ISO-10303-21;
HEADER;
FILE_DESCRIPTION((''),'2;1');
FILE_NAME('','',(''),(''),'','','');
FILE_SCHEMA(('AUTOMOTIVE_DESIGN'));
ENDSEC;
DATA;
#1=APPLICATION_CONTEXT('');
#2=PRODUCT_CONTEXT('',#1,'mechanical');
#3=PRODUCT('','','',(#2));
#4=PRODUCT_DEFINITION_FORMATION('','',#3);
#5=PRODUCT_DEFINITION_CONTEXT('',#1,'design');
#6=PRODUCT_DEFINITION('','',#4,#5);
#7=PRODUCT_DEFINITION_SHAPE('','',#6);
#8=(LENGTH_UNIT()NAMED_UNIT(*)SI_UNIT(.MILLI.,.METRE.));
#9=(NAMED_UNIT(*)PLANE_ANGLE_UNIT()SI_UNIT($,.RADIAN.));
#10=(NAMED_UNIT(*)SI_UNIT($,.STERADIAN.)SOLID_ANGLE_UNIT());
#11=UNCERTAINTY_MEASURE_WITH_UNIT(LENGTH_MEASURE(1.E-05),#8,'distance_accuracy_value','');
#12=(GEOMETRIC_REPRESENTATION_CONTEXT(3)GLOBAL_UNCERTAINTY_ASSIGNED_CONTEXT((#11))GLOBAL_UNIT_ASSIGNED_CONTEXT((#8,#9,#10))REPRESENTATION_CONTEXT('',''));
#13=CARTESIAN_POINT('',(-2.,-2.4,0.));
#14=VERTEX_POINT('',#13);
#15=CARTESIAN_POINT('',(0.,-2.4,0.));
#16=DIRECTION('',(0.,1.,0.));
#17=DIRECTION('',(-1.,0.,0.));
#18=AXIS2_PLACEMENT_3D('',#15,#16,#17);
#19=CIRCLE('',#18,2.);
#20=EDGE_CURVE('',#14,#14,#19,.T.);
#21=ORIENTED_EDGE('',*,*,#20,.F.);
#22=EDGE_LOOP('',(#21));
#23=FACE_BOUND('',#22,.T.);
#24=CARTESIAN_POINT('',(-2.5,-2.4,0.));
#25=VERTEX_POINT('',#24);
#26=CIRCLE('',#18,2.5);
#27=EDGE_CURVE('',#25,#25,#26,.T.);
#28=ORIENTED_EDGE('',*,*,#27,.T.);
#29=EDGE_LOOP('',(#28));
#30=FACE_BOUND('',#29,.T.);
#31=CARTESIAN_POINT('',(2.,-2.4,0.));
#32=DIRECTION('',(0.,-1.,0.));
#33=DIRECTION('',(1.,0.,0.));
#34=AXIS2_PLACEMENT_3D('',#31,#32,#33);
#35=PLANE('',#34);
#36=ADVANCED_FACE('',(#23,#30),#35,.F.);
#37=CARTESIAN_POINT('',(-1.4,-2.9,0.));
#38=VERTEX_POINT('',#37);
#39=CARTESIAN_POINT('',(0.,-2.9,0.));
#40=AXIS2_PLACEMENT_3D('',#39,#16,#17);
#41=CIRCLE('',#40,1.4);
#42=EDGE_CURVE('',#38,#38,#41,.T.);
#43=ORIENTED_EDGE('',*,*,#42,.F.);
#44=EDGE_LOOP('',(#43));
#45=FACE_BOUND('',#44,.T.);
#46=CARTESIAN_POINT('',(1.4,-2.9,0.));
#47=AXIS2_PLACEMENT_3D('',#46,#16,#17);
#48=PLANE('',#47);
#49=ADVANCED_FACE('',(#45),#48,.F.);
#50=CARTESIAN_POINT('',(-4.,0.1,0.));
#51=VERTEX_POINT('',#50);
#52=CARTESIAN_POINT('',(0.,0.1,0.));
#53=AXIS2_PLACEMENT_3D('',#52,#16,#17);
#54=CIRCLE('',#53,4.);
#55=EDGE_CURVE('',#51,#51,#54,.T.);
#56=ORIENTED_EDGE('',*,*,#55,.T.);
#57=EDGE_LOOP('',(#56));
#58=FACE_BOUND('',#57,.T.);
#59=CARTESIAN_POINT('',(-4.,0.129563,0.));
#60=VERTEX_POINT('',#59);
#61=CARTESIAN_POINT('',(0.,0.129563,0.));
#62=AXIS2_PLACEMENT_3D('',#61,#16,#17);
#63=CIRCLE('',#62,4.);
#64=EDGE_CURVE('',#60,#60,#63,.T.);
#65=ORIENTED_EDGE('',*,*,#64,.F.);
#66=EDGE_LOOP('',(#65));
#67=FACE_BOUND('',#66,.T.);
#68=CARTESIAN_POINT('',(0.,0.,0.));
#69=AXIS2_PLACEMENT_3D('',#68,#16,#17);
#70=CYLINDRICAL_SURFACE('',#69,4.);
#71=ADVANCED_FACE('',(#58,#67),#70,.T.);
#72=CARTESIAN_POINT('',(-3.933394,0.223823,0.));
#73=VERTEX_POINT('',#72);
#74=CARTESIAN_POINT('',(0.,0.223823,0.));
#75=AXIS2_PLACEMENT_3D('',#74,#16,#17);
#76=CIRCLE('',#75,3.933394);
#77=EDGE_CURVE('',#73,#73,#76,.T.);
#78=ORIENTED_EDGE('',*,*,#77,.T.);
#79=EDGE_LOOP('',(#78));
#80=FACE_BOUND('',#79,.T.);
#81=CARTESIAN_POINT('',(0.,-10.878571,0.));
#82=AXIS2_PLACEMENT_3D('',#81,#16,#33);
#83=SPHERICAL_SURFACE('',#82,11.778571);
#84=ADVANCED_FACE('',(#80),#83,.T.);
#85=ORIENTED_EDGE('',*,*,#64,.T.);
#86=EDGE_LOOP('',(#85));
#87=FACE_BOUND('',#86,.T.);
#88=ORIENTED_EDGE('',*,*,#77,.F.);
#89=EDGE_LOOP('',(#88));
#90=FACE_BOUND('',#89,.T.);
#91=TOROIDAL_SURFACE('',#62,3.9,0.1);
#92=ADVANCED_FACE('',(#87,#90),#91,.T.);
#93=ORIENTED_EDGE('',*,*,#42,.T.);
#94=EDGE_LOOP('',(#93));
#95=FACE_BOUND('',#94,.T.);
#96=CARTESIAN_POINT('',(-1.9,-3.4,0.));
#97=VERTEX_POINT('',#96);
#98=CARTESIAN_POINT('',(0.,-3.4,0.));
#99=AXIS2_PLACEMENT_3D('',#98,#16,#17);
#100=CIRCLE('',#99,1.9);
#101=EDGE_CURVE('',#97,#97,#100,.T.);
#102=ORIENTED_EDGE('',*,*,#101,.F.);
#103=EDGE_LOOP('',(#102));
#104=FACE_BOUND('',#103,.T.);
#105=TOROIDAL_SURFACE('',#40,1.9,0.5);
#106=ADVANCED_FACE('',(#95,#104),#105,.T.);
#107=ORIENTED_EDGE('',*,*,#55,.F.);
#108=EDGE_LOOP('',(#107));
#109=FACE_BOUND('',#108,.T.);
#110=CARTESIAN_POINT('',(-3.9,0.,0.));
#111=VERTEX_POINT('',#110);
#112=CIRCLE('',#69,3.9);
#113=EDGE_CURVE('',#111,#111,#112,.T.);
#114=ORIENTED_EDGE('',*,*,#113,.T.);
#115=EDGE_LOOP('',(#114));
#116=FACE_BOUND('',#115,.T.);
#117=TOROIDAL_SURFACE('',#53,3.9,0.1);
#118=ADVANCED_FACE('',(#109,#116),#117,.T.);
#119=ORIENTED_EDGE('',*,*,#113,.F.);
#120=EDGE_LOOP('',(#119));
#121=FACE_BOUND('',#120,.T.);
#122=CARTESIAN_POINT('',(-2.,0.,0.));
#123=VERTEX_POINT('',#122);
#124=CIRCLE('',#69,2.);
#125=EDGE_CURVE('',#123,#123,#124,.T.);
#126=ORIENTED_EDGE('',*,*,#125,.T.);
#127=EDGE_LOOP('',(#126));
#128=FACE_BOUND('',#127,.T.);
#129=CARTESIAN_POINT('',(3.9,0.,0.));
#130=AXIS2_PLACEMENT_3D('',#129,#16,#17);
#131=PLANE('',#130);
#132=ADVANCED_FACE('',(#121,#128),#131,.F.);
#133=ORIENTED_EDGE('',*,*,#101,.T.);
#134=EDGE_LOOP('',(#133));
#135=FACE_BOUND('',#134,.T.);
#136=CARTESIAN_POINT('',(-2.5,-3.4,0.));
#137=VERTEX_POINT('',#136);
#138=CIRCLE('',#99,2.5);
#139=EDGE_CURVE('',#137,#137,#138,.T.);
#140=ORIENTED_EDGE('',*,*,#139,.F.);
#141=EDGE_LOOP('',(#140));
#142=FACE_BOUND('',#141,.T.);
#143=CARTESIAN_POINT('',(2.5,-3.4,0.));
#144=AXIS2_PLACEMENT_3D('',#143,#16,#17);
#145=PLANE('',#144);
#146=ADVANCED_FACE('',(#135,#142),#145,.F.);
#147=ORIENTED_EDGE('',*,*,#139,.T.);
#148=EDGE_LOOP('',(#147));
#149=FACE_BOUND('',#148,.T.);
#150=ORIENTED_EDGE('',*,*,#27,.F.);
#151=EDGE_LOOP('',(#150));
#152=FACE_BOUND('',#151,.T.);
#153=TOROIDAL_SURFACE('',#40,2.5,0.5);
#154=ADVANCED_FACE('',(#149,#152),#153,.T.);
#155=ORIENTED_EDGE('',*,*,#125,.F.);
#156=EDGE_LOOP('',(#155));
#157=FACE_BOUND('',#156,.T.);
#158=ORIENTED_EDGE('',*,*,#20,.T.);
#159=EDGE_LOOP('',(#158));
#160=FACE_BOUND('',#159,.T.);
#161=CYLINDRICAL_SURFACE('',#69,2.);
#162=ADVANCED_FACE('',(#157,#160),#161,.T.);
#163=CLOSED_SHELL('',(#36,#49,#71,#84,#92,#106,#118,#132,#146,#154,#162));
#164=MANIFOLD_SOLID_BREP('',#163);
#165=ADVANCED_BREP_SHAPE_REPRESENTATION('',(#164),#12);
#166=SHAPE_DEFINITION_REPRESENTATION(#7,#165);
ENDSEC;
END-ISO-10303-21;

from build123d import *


with BuildPart() as part:
    # Sketch1 → Revolve1 (revolve)
    with BuildSketch(Plane.XY):
        with BuildLine():
            Line((4, 0.129563319), (4, 0.1))
            ThreePointArc((4, 0.1), (3.970710678, 0.029289322), (3.9, 0))
            Line((3.9, 0), (2, 0))
            Line((2, 0), (2, -2.4))
            Line((2, -2.4), (2.5, -2.4))
            ThreePointArc((2.5, -2.4), (3, -2.9), (2.5, -3.4))
            Line((2.5, -3.4), (1.9, -3.4))
            ThreePointArc((1.9, -3.4), (1.546446609, -3.253553391), (1.4, -2.9))
            Line((1.4, -2.9), (0, -2.9))
            Line((0, -2.9), (0, 0.9))
            ThreePointArc((0, 0.9), (1.99554555, 0.729724866), (3.933394495, 0.223822576))
            ThreePointArc((3.933394495, 0.223822576), (3.981668383, 0.187271856), (4, 0.129563319))
        make_face()
    revolve(axis=Axis((0, 0, 0), (0, -1, 0)))


solid = part.part
